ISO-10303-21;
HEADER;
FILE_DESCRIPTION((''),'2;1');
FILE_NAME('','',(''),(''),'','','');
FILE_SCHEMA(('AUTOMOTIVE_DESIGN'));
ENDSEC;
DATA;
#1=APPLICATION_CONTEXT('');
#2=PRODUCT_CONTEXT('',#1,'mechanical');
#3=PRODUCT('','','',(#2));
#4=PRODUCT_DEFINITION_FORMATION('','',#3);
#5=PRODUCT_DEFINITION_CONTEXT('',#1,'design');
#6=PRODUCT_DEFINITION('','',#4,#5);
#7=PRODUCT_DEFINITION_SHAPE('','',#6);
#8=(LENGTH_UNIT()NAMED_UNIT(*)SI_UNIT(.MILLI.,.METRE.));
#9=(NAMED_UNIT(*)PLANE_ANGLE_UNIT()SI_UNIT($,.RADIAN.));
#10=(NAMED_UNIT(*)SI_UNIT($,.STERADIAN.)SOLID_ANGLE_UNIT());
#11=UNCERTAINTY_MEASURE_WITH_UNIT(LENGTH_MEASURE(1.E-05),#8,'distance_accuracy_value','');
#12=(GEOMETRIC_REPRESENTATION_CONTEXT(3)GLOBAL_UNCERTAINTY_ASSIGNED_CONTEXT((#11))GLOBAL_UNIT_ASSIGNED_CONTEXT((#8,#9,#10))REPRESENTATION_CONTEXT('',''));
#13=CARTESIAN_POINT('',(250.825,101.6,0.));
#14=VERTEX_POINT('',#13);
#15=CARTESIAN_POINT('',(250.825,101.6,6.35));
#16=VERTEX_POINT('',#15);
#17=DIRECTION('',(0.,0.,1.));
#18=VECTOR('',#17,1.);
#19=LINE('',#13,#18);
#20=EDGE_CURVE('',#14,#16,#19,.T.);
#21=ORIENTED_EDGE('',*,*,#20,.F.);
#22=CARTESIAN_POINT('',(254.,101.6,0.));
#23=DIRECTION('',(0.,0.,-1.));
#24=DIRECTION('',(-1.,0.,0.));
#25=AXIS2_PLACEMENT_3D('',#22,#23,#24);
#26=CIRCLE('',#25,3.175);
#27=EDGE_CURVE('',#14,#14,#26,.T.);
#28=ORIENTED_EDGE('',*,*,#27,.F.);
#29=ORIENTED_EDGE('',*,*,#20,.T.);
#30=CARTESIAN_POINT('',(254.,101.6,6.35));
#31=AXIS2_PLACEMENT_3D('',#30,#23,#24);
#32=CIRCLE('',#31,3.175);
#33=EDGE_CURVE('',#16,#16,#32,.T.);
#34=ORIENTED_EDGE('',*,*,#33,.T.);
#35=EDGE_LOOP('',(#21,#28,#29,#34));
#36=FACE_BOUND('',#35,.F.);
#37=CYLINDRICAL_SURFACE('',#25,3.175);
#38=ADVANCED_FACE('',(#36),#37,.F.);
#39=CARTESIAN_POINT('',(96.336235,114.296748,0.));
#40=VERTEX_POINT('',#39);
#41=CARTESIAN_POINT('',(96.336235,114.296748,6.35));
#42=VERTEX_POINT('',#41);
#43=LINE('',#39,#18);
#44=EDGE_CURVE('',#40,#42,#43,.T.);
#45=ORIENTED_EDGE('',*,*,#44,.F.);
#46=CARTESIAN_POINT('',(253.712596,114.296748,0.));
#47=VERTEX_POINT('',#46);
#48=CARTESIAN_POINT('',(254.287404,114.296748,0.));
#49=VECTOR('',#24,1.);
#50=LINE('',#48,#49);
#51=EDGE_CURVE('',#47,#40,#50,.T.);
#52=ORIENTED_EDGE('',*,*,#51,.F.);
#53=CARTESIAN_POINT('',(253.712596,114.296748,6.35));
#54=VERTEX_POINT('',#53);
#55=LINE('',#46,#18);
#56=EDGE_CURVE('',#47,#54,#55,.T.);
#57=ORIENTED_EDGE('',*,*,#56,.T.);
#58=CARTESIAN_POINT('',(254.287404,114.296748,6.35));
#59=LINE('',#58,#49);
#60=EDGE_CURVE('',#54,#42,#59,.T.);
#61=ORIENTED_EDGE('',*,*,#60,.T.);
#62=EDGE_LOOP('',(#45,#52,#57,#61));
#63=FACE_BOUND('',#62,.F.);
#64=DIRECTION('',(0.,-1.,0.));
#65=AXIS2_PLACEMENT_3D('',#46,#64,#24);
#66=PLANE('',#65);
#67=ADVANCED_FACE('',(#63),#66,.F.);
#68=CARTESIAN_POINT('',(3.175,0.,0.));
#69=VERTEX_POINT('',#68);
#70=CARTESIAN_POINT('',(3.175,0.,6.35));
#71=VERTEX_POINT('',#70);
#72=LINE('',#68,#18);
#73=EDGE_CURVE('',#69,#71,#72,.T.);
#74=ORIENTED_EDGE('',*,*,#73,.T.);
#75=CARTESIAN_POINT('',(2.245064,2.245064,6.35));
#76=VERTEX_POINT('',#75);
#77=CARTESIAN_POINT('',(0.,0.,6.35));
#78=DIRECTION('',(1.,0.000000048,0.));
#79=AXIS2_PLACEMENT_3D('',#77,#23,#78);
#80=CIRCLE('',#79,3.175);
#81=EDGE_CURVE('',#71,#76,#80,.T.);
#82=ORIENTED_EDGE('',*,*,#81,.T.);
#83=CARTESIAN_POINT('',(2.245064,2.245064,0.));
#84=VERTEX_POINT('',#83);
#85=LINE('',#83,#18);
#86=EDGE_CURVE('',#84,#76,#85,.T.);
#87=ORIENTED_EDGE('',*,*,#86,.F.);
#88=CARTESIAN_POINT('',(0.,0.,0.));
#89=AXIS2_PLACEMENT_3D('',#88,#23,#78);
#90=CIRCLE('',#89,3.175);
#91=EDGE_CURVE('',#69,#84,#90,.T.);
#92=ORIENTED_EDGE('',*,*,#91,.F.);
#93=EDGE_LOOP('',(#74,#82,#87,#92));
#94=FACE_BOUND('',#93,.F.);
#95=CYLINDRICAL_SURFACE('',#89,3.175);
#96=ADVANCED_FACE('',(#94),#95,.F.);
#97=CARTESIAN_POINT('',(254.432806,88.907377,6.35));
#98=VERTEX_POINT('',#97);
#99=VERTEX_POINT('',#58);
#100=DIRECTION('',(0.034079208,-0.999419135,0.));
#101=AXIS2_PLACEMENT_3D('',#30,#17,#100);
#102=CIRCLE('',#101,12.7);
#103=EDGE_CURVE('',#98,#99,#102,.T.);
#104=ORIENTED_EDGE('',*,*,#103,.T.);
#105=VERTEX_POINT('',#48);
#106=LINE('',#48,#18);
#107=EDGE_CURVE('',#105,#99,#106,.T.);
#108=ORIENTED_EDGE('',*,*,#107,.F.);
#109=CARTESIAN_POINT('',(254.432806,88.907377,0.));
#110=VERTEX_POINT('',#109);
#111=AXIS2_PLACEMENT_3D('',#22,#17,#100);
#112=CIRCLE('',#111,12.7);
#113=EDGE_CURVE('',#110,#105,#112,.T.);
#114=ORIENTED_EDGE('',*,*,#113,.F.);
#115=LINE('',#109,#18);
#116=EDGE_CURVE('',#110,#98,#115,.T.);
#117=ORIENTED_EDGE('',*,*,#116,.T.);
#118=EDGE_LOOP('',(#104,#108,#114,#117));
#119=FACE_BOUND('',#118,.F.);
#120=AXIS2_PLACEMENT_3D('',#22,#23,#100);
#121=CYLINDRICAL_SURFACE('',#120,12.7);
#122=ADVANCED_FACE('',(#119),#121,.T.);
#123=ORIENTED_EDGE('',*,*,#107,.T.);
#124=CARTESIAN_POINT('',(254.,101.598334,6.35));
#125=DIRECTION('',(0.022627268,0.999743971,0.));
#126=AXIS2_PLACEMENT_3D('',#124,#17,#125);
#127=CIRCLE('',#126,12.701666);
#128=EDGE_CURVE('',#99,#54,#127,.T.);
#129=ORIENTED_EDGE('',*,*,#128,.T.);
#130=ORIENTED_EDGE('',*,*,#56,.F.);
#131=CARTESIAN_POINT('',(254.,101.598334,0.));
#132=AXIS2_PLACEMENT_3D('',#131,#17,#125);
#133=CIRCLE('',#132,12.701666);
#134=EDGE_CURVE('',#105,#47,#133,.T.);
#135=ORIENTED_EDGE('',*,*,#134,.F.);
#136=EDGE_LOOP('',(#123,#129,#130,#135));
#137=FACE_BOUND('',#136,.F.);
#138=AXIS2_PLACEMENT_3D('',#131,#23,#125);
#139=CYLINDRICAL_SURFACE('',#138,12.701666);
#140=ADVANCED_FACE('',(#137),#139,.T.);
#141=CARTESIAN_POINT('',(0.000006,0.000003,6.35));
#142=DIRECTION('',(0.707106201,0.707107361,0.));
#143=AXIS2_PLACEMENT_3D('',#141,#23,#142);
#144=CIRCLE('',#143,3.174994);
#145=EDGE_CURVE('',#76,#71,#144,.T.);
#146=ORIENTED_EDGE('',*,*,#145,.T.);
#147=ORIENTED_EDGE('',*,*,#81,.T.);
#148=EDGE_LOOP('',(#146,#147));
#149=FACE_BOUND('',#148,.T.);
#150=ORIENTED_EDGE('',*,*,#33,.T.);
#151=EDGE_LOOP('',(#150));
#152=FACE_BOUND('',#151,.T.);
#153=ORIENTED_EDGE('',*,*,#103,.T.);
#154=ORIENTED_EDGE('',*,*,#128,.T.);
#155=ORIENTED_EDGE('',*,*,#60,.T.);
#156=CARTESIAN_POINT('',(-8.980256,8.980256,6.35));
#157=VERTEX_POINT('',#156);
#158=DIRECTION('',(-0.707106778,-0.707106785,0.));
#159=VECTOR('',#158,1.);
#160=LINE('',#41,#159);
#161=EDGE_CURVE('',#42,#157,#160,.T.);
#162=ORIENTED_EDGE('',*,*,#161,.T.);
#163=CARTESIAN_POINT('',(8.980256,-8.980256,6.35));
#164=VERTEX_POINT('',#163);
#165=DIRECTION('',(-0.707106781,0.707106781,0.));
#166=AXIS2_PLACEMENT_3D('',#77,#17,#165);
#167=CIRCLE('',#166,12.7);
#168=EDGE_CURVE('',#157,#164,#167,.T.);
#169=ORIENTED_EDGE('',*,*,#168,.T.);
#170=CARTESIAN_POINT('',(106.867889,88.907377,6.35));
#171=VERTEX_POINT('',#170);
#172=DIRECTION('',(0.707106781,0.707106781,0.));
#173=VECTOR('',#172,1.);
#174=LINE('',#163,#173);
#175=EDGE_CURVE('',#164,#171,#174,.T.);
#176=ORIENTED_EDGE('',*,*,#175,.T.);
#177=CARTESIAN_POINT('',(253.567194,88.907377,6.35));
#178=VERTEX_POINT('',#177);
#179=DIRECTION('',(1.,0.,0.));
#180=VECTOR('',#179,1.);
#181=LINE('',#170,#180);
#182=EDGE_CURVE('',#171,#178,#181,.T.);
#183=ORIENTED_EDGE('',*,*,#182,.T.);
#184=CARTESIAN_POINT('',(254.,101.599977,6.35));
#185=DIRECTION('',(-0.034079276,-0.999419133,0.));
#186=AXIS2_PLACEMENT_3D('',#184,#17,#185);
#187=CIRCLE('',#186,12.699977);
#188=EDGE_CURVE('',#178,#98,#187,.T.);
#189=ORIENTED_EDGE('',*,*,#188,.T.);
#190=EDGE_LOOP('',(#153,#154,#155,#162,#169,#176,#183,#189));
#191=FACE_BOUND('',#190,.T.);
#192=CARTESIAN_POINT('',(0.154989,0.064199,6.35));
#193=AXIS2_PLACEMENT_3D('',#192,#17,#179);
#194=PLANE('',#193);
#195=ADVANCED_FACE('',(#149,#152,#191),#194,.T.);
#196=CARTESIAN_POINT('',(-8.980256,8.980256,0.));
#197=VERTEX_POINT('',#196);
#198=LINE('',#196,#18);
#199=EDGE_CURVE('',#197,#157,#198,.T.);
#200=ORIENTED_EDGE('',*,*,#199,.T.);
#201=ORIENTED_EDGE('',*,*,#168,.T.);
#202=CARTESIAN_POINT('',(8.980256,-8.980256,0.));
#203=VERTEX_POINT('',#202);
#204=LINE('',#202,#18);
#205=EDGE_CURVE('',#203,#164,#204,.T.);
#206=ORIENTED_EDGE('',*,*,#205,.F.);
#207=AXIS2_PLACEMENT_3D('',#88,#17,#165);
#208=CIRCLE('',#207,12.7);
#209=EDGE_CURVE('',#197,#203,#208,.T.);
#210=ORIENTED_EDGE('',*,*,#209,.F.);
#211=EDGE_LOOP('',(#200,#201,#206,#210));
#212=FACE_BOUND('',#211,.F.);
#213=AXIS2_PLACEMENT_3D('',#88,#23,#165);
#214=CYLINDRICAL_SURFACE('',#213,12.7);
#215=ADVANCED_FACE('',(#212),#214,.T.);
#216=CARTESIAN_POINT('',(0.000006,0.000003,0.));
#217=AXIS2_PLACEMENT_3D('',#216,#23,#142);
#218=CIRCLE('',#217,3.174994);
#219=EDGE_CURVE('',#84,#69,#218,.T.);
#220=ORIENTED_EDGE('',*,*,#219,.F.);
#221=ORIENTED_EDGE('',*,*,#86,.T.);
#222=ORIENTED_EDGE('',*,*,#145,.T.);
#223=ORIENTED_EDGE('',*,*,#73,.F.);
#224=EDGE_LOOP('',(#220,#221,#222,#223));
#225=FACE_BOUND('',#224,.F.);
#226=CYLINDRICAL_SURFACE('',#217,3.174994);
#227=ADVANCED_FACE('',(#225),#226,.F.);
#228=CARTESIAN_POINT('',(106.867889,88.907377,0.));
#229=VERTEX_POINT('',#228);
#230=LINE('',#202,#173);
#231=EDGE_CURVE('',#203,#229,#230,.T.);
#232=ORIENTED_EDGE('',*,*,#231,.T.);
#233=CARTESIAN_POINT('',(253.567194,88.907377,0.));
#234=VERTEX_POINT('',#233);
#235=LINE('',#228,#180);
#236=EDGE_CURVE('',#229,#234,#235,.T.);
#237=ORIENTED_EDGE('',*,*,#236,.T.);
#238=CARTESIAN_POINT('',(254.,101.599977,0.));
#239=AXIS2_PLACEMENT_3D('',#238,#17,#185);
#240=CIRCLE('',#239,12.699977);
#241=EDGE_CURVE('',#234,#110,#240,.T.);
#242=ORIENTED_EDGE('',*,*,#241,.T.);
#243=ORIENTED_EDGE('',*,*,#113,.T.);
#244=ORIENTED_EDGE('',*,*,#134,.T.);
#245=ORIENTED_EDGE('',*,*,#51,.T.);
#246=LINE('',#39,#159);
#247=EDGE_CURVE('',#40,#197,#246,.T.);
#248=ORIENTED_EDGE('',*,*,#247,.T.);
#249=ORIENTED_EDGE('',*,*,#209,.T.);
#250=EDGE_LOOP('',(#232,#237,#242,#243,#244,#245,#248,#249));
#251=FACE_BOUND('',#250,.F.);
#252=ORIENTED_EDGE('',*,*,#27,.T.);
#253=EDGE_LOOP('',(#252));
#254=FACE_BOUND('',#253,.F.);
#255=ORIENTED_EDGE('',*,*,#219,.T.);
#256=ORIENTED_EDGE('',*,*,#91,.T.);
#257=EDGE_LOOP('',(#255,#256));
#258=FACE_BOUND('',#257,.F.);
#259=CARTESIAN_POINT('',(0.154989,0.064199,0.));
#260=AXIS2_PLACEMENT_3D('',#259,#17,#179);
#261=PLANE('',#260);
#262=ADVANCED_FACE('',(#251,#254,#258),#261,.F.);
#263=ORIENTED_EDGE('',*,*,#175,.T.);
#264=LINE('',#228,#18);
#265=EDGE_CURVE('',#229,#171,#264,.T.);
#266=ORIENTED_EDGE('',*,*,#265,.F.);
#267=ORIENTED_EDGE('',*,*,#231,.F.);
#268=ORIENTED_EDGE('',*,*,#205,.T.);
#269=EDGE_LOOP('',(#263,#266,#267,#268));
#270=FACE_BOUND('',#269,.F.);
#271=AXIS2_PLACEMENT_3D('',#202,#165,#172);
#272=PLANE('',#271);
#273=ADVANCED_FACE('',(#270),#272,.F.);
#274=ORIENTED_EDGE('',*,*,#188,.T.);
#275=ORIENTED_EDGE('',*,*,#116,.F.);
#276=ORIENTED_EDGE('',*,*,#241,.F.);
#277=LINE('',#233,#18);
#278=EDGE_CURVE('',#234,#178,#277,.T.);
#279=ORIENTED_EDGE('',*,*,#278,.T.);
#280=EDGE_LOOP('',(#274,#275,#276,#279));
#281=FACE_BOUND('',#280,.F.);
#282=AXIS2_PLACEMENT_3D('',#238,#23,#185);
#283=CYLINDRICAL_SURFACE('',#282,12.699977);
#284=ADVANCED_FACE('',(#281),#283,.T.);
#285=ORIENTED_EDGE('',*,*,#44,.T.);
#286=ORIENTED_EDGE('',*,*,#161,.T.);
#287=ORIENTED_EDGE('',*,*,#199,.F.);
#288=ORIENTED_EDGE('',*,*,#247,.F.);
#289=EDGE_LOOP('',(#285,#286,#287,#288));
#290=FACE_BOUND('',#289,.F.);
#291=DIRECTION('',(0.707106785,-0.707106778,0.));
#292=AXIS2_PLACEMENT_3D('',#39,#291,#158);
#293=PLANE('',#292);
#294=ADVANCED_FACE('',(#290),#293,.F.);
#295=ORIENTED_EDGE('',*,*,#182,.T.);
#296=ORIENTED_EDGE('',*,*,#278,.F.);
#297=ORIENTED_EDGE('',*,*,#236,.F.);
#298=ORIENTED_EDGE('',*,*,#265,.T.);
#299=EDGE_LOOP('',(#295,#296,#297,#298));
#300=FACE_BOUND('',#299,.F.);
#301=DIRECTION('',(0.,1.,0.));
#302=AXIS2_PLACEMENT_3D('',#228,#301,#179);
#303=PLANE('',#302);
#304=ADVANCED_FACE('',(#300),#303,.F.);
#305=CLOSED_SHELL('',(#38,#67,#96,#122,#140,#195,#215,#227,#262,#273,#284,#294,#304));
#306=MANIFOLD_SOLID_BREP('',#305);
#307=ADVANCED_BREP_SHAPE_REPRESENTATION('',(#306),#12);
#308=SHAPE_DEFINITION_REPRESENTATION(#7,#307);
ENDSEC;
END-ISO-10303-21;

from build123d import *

# Parameters (mm, degrees)
F1_DEPTH = 6.35


with BuildPart() as f1:
    # F0 (on Top) → F1 (new body)
    with BuildSketch(Plane.XY):
        with BuildLine():
            ThreePointArc((2.245064, 2.245064), (-2.933318, -1.21502), (3.175, 0))
            ThreePointArc((3.175, 0), (2.933318, 1.21502), (2.245064, 2.245064))
        make_face()
        with BuildLine():
            ThreePointArc((257.175, 101.6), (254, 104.775), (250.825, 101.6))
            ThreePointArc((250.825, 101.6), (254, 98.425), (257.175, 101.6))
        make_face()
        with BuildLine():
            Line((96.336235, 114.296748), (-8.980256, 8.980256))
            ThreePointArc((-8.980256, 8.980256), (-8.980256, -8.980256), (8.980256, -8.980256))
            Line((8.980256, -8.980256), (106.867889, 88.907377))
            Line((106.867889, 88.907377), (253.567194, 88.907377))
            Line((253.567194, 88.907377), (254.432806, 88.907377))
            ThreePointArc((254.432806, 88.907377), (266.699792, 101.67273), (254.287404, 114.296748))
            Line((254.287404, 114.296748), (253.712596, 114.296748))
            Line((253.712596, 114.296748), (96.336235, 114.296748))
        make_face()
        with BuildLine():
            ThreePointArc((2.245064, 2.245064), (2.933318, 1.21502), (3.175, 0))
            ThreePointArc((3.175, 0), (-2.933318, -1.21502), (2.245064, 2.245064))
        make_face(mode=Mode.SUBTRACT)
        with BuildLine():
            ThreePointArc((257.175, 101.6), (254, 98.425), (250.825, 101.6))
            ThreePointArc((250.825, 101.6), (254, 104.775), (257.175, 101.6))
        make_face(mode=Mode.SUBTRACT)
        with BuildLine():
            ThreePointArc((254.287404, 114.296748), (254, 114.3), (253.712596, 114.296748))
            Line((253.712596, 114.296748), (254.287404, 114.296748))
        make_face()
        with BuildLine():
            Line((254.432806, 88.907377), (253.567194, 88.907377))
            ThreePointArc((253.567194, 88.907377), (254, 88.9), (254.432806, 88.907377))
        make_face()
    extrude(amount=F1_DEPTH)


solid = f1.part
